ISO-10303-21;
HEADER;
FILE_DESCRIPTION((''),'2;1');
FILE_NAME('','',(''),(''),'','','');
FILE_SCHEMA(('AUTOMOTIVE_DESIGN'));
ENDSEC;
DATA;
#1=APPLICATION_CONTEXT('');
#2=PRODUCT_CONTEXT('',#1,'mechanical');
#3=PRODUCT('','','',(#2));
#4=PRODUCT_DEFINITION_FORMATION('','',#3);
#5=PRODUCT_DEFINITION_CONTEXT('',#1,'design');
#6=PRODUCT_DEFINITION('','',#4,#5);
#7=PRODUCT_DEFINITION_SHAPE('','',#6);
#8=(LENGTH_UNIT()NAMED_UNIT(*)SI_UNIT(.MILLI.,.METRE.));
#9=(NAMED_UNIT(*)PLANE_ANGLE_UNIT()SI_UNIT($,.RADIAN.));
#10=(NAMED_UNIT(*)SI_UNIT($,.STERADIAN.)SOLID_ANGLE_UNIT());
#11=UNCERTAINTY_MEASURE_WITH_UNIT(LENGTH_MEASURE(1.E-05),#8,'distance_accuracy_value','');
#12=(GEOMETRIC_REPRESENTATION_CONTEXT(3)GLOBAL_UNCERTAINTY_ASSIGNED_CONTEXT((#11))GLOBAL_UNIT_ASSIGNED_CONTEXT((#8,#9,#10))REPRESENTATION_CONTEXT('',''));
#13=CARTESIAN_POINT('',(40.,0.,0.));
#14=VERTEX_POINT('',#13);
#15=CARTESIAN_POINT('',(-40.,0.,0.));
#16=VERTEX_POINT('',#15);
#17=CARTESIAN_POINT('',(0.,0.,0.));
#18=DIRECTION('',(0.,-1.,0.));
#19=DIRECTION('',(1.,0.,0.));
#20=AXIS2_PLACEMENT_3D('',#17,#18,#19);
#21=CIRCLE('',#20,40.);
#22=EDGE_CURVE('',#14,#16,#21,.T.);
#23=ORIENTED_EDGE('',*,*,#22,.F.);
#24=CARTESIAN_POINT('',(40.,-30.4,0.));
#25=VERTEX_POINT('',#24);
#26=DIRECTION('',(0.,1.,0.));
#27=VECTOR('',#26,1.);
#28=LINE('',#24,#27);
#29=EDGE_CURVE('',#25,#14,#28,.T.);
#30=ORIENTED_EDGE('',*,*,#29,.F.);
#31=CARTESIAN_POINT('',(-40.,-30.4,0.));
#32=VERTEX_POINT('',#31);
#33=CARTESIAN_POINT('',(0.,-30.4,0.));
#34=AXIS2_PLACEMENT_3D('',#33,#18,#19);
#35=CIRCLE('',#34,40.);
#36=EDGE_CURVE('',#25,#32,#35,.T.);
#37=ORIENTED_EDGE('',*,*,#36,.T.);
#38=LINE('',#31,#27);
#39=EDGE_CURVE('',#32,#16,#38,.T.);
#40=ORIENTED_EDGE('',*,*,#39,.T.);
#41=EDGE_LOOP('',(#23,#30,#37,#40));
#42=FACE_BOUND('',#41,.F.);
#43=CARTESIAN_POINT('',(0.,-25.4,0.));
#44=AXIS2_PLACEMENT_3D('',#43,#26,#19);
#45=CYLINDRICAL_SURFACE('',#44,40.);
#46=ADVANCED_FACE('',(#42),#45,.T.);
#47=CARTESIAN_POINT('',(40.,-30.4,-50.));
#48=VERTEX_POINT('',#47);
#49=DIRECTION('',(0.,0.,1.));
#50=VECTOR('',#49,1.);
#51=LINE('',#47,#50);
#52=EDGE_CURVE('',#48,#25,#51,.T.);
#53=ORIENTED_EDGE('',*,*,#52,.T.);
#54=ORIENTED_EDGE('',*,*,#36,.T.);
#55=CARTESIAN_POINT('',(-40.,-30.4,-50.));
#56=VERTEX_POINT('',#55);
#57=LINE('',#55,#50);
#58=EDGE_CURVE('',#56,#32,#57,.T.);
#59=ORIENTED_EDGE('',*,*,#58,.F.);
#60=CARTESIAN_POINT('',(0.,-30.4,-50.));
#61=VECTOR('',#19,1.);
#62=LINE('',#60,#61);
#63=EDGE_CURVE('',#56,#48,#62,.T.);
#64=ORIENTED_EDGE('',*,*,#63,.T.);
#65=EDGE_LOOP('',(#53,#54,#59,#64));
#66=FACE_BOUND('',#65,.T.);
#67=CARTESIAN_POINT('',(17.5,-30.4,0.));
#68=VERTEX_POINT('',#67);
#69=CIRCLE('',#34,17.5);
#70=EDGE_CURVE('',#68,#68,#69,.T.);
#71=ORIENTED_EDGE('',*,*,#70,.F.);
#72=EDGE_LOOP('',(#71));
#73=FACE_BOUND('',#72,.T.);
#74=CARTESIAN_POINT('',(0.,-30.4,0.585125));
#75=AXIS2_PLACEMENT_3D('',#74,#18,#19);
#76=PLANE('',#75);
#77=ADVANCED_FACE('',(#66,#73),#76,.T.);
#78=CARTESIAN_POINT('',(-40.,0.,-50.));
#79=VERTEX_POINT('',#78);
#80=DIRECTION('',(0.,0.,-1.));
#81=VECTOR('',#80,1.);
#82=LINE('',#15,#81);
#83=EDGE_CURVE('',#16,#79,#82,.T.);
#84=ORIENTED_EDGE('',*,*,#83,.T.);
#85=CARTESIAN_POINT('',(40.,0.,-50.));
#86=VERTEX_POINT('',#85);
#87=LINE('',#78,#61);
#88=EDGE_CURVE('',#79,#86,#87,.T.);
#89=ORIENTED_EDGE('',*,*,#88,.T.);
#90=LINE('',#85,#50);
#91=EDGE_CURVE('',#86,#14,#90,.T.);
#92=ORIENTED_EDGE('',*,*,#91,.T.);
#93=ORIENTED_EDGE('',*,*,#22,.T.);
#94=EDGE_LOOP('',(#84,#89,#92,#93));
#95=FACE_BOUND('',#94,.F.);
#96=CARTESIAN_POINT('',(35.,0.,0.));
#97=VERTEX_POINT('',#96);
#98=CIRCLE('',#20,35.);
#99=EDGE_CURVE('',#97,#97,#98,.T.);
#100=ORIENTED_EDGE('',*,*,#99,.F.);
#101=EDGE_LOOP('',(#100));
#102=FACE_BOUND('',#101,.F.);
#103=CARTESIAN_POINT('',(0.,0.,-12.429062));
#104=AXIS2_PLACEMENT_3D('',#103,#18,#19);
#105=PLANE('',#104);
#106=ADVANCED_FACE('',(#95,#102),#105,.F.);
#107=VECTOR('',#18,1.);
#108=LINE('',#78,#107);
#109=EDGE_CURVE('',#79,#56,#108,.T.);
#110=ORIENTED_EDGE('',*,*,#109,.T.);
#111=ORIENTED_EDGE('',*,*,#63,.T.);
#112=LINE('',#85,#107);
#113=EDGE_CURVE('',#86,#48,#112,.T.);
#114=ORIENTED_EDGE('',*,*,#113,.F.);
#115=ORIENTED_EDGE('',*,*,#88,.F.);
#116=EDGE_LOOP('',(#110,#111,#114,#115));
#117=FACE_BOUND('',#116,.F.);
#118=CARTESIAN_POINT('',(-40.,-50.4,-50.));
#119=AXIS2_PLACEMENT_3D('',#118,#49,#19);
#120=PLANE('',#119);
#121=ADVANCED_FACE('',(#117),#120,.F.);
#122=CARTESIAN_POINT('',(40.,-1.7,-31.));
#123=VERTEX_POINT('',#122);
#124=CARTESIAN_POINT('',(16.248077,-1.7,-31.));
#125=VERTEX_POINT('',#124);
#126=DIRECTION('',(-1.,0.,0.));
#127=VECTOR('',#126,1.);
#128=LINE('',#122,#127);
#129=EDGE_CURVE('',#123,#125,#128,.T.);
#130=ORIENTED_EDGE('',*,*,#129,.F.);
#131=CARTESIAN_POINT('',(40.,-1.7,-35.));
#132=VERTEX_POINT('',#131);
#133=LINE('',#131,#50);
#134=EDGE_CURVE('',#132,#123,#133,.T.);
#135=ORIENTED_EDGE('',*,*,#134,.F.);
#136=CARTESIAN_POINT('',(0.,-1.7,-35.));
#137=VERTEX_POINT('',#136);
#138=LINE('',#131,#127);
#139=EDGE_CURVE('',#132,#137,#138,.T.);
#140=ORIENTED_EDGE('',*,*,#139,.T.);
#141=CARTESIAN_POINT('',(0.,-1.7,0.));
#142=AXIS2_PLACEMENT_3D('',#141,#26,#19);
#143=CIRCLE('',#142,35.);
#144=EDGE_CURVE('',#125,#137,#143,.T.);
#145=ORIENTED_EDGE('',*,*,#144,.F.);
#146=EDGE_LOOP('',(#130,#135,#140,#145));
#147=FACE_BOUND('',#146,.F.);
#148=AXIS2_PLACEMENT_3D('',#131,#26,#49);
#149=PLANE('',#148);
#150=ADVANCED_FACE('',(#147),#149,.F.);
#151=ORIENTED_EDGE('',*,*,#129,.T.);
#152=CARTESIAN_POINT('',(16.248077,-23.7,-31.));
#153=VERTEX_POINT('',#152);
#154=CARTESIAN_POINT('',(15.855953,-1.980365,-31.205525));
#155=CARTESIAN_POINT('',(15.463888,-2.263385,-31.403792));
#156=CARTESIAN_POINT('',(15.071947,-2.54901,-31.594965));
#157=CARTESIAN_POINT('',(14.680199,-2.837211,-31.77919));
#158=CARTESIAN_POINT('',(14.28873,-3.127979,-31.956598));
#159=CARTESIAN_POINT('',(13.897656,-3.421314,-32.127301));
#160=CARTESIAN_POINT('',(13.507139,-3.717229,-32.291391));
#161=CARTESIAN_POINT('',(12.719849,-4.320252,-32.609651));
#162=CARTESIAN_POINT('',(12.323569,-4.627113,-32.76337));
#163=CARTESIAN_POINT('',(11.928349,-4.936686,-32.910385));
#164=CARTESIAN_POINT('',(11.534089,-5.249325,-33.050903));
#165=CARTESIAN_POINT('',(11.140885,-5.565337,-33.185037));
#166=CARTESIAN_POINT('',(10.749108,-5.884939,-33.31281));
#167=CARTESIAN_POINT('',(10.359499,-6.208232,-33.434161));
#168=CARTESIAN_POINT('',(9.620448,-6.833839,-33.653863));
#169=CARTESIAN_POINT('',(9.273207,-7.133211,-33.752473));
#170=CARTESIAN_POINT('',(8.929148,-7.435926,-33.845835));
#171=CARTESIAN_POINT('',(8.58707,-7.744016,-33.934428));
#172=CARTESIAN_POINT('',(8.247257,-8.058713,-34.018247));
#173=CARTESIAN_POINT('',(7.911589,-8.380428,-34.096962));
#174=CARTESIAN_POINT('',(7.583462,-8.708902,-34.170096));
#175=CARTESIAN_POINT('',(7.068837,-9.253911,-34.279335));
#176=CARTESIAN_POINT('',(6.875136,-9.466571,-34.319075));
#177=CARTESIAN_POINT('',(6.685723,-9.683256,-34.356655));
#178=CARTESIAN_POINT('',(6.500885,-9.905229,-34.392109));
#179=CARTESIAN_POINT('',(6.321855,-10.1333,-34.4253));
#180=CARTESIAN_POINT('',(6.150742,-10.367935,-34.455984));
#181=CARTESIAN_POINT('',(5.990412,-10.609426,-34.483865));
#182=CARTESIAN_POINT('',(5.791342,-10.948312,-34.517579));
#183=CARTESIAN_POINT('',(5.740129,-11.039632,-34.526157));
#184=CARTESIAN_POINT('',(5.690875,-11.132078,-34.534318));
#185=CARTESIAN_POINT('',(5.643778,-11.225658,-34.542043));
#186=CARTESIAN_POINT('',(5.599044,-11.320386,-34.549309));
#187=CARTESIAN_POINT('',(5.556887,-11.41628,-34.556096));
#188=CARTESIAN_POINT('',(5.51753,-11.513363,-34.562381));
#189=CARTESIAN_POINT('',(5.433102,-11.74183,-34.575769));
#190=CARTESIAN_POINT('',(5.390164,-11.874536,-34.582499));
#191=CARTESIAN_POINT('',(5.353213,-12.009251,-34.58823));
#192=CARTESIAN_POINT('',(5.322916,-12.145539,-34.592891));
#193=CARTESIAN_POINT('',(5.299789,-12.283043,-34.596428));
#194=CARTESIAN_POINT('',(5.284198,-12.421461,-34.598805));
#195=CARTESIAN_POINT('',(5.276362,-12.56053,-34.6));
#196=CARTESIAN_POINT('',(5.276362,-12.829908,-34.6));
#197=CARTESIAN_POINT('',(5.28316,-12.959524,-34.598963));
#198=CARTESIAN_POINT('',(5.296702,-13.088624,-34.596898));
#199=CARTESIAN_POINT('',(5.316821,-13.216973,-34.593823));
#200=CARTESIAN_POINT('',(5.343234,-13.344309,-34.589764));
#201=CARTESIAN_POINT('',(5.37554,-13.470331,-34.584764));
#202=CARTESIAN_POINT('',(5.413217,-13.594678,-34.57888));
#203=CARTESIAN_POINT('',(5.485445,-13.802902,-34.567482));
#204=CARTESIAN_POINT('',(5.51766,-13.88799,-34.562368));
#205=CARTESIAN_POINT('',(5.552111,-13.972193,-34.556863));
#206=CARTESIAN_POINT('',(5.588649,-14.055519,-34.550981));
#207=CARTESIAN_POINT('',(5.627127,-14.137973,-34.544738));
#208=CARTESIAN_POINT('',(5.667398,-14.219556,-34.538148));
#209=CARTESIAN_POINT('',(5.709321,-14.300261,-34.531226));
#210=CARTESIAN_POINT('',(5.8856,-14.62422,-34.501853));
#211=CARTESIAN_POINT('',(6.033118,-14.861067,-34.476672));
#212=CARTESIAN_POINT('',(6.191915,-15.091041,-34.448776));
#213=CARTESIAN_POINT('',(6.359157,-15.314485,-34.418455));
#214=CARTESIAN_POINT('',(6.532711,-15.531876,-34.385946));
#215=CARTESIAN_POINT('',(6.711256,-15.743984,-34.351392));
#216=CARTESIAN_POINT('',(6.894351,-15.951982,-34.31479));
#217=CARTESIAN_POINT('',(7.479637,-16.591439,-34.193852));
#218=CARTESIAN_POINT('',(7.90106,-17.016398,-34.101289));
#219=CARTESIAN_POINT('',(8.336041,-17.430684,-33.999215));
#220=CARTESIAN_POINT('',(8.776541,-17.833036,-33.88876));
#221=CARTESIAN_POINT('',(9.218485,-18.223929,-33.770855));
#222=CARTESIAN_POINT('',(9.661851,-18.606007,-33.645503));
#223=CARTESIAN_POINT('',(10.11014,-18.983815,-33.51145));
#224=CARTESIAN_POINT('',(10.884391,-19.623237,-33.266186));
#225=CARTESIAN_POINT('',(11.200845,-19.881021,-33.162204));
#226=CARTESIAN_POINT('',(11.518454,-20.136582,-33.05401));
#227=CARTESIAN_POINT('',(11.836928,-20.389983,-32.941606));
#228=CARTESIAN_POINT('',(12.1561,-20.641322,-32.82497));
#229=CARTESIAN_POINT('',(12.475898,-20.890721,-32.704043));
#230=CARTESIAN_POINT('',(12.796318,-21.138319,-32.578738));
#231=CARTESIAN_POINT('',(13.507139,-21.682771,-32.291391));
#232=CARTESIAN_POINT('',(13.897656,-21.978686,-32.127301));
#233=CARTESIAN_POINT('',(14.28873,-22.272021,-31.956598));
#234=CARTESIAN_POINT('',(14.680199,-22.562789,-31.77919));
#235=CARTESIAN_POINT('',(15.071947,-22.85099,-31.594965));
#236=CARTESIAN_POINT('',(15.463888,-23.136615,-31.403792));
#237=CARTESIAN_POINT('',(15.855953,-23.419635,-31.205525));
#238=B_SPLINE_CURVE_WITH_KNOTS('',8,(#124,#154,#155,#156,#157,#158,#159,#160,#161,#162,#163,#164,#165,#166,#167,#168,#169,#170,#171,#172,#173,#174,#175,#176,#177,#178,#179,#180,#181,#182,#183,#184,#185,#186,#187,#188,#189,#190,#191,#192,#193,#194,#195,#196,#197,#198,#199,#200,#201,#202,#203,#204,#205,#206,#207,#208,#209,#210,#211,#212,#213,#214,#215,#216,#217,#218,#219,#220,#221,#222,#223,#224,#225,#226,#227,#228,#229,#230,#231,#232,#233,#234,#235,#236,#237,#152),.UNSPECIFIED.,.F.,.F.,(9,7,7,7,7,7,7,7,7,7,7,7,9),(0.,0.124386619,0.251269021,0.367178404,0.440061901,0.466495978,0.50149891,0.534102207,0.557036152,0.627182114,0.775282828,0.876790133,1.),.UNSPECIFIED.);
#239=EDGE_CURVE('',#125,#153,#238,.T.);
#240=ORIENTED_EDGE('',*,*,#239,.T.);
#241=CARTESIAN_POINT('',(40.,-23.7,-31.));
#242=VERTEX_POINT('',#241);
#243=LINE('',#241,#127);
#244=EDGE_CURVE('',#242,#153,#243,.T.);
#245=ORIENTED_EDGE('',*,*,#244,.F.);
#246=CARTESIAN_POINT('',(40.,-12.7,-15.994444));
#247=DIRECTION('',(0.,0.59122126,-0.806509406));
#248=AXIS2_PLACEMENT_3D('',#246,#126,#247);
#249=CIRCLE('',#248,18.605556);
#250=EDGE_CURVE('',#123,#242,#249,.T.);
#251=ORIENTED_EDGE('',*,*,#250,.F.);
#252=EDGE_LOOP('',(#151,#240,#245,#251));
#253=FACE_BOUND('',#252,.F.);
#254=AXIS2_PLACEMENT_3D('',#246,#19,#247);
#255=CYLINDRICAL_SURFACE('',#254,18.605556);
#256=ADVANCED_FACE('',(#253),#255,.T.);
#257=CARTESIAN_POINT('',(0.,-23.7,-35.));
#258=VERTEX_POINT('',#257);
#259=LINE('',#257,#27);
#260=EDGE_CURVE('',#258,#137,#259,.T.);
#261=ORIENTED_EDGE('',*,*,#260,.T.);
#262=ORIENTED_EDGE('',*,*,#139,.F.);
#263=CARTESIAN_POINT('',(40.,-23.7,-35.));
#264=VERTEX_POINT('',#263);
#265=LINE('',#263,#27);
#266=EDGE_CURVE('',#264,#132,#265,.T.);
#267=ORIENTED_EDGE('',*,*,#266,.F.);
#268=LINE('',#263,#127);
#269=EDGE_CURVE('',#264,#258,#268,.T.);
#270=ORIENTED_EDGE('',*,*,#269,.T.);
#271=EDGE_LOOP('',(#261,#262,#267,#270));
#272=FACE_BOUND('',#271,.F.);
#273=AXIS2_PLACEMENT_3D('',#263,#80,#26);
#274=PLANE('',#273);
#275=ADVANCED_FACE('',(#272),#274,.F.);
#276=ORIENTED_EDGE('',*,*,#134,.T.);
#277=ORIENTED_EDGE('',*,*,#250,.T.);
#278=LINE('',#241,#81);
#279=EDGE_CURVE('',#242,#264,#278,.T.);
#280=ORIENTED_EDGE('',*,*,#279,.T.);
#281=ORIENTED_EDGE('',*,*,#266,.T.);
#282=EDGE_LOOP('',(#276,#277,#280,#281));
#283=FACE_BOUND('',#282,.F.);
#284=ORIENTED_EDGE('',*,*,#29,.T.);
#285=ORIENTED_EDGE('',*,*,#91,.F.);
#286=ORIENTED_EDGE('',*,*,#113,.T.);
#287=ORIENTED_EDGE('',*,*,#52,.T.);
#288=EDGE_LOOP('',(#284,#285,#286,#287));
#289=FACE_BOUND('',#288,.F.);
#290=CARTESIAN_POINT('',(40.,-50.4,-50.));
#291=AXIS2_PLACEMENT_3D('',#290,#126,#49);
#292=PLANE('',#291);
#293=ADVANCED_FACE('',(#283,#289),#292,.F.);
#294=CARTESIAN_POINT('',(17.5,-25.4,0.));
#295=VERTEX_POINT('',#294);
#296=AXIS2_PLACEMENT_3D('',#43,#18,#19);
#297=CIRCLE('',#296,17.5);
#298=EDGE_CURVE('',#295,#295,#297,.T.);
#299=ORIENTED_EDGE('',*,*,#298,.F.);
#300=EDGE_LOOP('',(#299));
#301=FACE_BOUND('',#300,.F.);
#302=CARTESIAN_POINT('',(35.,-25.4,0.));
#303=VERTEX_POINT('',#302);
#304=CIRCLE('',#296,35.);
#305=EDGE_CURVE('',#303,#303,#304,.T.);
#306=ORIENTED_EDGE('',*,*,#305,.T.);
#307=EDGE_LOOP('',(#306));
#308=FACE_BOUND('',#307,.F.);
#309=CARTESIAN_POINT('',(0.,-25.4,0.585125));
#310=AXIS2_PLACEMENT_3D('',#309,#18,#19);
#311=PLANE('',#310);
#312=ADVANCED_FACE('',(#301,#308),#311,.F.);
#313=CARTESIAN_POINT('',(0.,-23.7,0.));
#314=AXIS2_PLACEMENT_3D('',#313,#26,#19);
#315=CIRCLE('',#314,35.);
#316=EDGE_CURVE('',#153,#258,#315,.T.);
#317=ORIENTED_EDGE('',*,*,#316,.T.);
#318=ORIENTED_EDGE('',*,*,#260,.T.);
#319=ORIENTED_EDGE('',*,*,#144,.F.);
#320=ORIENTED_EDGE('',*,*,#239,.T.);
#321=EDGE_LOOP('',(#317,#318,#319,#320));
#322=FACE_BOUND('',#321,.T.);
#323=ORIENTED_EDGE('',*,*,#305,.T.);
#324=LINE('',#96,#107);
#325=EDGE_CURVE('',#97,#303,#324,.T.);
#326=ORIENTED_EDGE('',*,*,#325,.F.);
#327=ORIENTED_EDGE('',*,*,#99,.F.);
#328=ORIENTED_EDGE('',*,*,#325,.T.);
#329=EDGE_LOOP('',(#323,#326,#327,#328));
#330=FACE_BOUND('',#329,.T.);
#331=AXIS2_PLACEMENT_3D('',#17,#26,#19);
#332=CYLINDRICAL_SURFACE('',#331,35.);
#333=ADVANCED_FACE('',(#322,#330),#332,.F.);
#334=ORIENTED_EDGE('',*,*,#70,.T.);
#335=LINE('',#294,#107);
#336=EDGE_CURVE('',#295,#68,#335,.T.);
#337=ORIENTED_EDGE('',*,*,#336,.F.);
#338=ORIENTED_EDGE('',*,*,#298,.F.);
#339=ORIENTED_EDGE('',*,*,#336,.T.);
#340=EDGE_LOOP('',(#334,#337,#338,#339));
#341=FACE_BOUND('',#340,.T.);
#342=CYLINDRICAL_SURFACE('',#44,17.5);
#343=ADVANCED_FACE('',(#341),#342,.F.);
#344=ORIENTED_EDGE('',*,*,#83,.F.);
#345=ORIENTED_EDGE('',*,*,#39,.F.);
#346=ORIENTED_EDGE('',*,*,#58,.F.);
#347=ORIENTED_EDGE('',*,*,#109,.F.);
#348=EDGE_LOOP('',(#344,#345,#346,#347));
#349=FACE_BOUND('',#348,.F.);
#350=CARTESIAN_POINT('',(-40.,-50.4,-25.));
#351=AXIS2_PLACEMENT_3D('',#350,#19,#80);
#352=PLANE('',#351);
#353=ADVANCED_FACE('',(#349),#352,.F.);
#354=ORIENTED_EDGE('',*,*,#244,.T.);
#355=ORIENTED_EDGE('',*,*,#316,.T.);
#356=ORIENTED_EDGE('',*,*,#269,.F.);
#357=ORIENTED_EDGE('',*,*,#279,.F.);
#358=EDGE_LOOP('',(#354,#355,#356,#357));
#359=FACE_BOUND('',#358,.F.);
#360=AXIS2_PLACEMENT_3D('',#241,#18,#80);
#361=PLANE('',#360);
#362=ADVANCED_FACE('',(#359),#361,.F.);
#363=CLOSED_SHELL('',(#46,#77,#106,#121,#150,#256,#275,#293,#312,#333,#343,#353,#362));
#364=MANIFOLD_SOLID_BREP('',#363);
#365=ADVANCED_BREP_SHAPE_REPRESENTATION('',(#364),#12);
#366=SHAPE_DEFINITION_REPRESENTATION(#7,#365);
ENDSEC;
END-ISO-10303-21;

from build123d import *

# Parameters (mm, degrees)
F0_R      = 35
F1_DEPTH  = 25.4
F3_DEPTH  = 25
F5_DEPTH  = 40
F6_R      = 17.5
F7_DEPTH  = 5
F8_DEPTH  = 5
F9_W      = 80
F9_H      = 25
F10_DEPTH = 25


with BuildPart() as f1:
    # F0 (on Front) → F1 (new body)
    with BuildSketch(Plane.XZ):
        with BuildLine():
            Line((40, -50), (40, 0))
            ThreePointArc((40, 0), (0, 40), (-40, 0))
            Line((-40, 0), (-40, -50))
            Line((-40, -50), (40, -50))
        make_face()
        Circle(F0_R, mode=Mode.SUBTRACT)
    extrude(amount=F1_DEPTH)

    # F2 (on face) → F3 (join)
    with BuildSketch(Plane.XZ.offset(25.4)):
        with BuildLine():
            Line((-40, -25), (-40, -50))
            Line((-40, -50), (40, -50))
            Line((40, -50), (40, -25))
            Line((40, -25), (24.4948974278, -25))
            ThreePointArc((24.4948974278, -25), (0, -35), (-24.4948974278, -25))
            Line((-24.4948974278, -25), (-40, -25))
        make_face()
        with BuildLine():
            Line((24.4948974278, -25), (-24.4948974278, -25))
            ThreePointArc((-24.4948974278, -25), (0, -35), (24.4948974278, -25))
        make_face()
    extrude(amount=F3_DEPTH)

    # F4 (on face) → F5 (cut)
    with BuildSketch(Plane.YZ.offset(40)):
        with BuildLine():
            Line((-23.7, -35), (-1.7, -35))
            Line((-1.7, -35), (-1.7, -31))
            ThreePointArc((-1.7, -31), (-12.7, -34.6), (-23.7, -31))
            Line((-23.7, -31), (-23.7, -35))
        make_face()
    extrude(amount=-F5_DEPTH, mode=Mode.SUBTRACT)

    # F6 (on face) → F7 (join)
    with BuildSketch(Plane.XZ.offset(25.4)):
        with BuildLine():
            Line((-40, 0), (-40, -25))
            Line((-40, -25), (40, -25))
            Line((40, -25), (40, 0))
            ThreePointArc((40, 0), (0, 40), (-40, 0))
        make_face()
        Circle(F6_R, mode=Mode.SUBTRACT)
    extrude(amount=F7_DEPTH)

    # F8 (add): a face of the model
    f8_faces = [f1.faces().sort_by_distance(p)[0] for p in [
        (0, -50.4, -37.5),
    ]]
    extrude(f8_faces, amount=F8_DEPTH)

    # F9 (on face) → F10 (cut)
    with BuildSketch(Plane.XY.offset(-25)):
        with Locations((0, -42.9)):
            Rectangle(F9_W, F9_H)
    extrude(amount=-F10_DEPTH, mode=Mode.SUBTRACT)


solid = f1.part
